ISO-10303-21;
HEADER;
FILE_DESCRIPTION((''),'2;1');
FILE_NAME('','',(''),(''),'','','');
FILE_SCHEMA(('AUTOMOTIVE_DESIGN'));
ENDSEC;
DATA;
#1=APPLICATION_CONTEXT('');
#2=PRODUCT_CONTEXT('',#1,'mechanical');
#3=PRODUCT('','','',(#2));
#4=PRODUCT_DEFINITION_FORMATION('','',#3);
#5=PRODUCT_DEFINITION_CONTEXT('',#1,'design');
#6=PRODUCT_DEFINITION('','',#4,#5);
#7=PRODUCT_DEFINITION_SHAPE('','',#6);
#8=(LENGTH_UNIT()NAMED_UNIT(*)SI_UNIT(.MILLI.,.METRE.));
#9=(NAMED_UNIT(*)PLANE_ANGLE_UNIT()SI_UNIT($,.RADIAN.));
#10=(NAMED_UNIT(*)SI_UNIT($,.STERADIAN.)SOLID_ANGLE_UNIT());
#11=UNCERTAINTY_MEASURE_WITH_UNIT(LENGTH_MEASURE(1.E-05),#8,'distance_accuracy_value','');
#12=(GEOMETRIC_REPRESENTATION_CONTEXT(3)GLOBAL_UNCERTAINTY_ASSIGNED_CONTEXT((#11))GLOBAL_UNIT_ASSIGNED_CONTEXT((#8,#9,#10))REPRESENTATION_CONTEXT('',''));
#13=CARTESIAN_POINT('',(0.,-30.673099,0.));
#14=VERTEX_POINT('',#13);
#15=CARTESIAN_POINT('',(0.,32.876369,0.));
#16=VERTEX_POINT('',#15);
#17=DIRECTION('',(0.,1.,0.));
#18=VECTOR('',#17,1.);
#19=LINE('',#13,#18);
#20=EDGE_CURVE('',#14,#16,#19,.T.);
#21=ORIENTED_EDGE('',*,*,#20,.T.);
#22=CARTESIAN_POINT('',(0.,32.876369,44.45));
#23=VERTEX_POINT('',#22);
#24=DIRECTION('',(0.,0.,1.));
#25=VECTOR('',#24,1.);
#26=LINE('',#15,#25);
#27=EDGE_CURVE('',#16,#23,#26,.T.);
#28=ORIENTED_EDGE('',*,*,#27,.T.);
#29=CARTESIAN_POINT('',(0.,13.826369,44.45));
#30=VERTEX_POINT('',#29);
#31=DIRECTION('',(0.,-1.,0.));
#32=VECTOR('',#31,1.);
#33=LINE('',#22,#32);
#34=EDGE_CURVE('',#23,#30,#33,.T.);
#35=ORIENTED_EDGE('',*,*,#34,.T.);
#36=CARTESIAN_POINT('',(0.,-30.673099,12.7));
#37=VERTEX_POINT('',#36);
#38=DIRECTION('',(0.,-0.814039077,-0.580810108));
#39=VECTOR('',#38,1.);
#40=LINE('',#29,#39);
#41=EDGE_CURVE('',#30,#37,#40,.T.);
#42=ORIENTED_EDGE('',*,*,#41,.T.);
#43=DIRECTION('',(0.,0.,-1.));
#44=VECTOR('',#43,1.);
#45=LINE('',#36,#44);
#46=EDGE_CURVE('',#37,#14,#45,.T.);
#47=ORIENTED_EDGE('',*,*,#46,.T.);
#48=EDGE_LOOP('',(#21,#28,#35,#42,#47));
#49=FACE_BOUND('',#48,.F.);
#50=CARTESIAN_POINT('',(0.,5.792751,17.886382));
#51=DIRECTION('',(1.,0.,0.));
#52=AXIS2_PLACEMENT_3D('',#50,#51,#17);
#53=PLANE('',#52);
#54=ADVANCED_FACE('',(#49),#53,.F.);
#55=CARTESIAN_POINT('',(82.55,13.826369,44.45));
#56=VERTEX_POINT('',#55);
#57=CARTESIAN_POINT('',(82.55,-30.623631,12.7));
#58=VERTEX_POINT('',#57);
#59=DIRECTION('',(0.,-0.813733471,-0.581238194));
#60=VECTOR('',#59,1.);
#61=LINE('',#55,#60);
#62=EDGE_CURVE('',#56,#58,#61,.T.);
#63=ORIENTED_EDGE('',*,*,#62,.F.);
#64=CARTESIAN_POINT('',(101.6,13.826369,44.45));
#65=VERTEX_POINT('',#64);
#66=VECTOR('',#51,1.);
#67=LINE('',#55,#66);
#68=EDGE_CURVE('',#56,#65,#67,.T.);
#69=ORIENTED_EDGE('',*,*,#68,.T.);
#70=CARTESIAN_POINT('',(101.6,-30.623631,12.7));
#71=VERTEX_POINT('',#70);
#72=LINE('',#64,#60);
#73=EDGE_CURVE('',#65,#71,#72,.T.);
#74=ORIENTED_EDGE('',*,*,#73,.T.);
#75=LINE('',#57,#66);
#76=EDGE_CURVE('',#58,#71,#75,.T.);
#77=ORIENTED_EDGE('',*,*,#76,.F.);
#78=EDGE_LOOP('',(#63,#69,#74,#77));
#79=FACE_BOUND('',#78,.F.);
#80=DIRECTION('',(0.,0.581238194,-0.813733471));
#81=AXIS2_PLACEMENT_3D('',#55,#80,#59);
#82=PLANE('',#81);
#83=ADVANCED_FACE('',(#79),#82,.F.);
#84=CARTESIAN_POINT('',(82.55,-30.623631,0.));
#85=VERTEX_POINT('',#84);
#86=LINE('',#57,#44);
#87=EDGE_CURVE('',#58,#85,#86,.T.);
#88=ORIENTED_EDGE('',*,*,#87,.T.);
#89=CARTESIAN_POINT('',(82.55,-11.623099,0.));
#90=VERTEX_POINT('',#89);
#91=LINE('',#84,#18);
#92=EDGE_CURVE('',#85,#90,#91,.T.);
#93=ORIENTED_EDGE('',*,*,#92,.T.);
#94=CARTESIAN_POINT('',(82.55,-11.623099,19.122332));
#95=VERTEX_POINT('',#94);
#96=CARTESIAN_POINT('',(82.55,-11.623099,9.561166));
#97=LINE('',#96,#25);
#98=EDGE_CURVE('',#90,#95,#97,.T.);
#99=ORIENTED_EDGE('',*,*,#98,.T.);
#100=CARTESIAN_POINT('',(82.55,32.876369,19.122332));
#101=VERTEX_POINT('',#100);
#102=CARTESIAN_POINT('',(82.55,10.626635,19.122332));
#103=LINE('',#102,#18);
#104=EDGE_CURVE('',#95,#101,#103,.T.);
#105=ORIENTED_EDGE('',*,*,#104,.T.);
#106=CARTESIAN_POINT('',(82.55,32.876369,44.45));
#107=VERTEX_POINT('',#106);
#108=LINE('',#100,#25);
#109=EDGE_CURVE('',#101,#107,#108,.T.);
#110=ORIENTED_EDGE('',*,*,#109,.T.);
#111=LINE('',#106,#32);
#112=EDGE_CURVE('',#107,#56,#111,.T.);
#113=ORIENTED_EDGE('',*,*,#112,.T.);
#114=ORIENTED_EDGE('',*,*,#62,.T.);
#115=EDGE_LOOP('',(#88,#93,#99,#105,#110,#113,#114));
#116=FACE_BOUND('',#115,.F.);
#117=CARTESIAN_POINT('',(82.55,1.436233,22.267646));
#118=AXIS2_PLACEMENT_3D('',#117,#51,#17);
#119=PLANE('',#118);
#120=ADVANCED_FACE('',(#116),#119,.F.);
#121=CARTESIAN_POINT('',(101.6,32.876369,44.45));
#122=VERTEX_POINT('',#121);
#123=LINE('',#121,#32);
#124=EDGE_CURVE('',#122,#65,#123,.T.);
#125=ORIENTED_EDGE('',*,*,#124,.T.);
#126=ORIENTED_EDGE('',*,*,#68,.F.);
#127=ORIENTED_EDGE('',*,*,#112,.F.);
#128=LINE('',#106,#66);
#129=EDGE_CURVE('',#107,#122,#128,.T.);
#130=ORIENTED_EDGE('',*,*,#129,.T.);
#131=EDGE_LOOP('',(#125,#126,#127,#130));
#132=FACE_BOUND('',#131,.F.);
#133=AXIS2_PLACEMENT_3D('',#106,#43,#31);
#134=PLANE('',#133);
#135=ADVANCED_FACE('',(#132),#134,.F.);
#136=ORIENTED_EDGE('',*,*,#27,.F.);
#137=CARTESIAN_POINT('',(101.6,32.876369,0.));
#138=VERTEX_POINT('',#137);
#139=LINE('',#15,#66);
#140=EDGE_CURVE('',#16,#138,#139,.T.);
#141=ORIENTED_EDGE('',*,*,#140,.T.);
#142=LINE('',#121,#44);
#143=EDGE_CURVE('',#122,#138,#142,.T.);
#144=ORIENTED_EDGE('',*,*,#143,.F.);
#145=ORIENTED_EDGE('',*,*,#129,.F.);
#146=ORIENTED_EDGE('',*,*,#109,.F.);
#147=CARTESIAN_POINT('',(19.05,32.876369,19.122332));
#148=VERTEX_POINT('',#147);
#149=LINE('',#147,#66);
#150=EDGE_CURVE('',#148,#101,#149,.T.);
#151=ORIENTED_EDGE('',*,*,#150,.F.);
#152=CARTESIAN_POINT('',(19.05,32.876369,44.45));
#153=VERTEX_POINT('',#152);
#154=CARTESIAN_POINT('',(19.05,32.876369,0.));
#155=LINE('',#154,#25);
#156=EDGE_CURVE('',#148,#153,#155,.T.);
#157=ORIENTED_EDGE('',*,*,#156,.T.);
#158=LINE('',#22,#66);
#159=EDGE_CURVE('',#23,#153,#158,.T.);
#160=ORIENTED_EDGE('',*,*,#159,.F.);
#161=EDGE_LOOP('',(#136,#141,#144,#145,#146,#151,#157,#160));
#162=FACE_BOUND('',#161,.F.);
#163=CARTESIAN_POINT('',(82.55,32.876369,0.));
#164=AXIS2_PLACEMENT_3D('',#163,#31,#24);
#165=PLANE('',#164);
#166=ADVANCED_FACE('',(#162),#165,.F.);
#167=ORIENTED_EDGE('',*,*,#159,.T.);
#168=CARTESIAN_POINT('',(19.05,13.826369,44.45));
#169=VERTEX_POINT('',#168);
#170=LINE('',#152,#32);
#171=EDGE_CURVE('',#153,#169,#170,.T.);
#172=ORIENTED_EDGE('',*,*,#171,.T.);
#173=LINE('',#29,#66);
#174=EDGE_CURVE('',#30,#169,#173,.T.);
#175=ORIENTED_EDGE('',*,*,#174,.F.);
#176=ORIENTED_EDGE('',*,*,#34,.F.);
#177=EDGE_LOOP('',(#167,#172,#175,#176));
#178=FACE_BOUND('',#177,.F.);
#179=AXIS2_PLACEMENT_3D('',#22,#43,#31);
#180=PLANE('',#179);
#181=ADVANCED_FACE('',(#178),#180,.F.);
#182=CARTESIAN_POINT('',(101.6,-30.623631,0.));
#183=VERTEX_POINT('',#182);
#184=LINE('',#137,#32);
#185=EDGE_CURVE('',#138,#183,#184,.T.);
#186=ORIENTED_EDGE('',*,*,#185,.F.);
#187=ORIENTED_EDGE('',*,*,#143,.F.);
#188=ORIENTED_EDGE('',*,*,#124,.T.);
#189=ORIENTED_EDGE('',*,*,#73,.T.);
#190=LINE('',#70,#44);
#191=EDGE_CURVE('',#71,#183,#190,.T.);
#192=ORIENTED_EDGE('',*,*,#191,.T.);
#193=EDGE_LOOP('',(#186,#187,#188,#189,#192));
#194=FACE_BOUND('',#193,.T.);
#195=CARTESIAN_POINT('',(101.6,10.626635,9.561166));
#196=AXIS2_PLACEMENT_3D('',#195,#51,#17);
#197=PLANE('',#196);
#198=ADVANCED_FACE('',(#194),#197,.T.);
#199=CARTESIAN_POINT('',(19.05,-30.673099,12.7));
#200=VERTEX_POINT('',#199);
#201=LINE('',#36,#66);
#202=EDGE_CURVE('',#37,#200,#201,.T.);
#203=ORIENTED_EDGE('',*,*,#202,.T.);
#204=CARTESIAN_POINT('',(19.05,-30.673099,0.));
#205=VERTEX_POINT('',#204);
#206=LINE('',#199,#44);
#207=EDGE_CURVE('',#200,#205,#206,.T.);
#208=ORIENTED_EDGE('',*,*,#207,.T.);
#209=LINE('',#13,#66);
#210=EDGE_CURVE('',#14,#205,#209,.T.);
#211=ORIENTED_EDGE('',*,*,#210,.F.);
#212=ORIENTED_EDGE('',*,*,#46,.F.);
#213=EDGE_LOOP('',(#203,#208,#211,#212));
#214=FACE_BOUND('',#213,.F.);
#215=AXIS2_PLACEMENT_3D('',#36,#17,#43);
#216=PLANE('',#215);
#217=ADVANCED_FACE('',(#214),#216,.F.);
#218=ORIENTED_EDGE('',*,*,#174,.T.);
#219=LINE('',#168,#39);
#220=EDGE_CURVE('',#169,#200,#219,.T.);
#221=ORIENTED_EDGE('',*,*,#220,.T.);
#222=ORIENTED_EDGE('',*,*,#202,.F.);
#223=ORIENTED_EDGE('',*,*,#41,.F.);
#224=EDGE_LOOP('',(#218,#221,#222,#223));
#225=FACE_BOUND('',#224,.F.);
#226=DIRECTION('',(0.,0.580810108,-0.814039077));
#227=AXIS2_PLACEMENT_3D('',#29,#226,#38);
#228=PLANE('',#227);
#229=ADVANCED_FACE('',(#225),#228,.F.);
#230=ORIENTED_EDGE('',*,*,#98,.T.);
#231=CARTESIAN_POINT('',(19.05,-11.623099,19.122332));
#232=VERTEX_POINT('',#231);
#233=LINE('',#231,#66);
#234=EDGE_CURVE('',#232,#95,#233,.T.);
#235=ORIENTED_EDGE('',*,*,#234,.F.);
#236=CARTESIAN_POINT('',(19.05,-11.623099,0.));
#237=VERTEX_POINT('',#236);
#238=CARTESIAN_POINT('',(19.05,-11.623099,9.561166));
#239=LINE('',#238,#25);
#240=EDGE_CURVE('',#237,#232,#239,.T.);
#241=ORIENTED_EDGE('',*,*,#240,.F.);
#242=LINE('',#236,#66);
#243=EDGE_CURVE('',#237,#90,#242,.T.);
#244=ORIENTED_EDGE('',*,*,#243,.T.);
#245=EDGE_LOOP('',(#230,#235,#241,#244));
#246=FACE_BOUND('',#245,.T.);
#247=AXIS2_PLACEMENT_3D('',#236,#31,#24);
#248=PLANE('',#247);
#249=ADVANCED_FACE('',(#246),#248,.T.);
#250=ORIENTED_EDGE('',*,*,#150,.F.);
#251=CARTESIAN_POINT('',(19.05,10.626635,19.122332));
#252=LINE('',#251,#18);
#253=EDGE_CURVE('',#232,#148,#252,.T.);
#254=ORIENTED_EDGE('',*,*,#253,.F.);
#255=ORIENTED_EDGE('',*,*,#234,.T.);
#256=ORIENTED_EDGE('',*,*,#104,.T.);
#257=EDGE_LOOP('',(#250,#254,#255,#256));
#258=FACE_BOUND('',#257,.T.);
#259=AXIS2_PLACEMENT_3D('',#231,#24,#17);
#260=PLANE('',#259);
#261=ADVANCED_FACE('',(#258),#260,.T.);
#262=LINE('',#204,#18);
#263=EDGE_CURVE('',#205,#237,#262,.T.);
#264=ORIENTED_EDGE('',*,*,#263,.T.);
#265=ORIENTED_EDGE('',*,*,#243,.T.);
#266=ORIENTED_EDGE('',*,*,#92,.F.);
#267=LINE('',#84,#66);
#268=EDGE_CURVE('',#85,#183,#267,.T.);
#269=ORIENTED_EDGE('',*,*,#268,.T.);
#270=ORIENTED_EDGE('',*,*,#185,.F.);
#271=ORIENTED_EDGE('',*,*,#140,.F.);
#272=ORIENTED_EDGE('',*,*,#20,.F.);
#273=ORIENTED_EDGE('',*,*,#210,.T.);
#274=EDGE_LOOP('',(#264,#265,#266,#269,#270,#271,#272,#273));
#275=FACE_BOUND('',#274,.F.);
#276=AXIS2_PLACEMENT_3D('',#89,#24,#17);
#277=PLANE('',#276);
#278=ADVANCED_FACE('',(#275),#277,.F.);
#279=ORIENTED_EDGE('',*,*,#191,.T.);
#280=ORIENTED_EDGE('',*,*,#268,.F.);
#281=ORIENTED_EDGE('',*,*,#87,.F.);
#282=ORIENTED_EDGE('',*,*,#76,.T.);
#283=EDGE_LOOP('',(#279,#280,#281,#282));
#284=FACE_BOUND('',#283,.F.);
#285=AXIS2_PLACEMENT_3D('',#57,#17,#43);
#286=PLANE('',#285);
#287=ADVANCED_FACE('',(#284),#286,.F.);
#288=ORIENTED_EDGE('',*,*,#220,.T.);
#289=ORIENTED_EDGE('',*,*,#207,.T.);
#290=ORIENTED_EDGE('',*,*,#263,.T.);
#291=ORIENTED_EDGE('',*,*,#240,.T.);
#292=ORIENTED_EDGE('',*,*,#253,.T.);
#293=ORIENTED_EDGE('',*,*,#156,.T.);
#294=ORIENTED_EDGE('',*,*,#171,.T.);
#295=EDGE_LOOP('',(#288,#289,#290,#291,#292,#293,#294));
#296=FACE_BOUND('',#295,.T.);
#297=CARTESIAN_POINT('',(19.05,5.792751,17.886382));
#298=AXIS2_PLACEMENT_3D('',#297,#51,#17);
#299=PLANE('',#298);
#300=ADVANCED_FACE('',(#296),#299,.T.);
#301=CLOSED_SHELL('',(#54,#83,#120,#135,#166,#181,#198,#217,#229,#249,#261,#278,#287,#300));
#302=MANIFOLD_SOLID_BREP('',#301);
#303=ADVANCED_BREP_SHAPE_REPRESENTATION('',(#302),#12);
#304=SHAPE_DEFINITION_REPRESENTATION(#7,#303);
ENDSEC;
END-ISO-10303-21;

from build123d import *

# Parameters (mm, degrees)
F1_DEPTH = 19.05
F2_W     = 44.4994677836
F2_H     = 19.1223323345
F3_DEPTH = 63.5
F5_DEPTH = 19.05
F6_DEPTH = 19.05


with BuildPart() as f1:
    # F0 (on Right) → F1 (new body)
    with BuildSketch(Plane.YZ):
        Polygon((-30.6730988776, 12.7), (-30.6730988776, 0), (32.876368906, 0), (32.876368906, 44.45), (13.826368906, 44.45), align=None)
    extrude(amount=F1_DEPTH)

    # F2 (on face) → F3 (join)
    with BuildSketch(Plane.YZ.offset(19.05)):
        with Locations((10.6266350142, 9.5611661673)):
            Rectangle(F2_W, F2_H)
    extrude(amount=F3_DEPTH)

    # F4 (on face) → F5 (join)
    with BuildSketch(Plane.YZ.offset(82.55)):
        Polygon((-11.6230988776, 19.1223323345), (32.876368906, 19.1223323345), (32.876368906, 44.45), (13.826368906, 44.45), (-30.623631094, 12.7), (-30.623631094, 0), (-11.6230988776, 0), align=None)
    extrude(amount=F5_DEPTH)

    # F6 (add, through all): a face of the model
    f6_faces = [f1.faces().sort_by_distance(p)[0] for p in [
        (82.55, 10.6266350142, 9.5611661673),
    ]]
    extrude(f6_faces, amount=F6_DEPTH)


solid = f1.part
